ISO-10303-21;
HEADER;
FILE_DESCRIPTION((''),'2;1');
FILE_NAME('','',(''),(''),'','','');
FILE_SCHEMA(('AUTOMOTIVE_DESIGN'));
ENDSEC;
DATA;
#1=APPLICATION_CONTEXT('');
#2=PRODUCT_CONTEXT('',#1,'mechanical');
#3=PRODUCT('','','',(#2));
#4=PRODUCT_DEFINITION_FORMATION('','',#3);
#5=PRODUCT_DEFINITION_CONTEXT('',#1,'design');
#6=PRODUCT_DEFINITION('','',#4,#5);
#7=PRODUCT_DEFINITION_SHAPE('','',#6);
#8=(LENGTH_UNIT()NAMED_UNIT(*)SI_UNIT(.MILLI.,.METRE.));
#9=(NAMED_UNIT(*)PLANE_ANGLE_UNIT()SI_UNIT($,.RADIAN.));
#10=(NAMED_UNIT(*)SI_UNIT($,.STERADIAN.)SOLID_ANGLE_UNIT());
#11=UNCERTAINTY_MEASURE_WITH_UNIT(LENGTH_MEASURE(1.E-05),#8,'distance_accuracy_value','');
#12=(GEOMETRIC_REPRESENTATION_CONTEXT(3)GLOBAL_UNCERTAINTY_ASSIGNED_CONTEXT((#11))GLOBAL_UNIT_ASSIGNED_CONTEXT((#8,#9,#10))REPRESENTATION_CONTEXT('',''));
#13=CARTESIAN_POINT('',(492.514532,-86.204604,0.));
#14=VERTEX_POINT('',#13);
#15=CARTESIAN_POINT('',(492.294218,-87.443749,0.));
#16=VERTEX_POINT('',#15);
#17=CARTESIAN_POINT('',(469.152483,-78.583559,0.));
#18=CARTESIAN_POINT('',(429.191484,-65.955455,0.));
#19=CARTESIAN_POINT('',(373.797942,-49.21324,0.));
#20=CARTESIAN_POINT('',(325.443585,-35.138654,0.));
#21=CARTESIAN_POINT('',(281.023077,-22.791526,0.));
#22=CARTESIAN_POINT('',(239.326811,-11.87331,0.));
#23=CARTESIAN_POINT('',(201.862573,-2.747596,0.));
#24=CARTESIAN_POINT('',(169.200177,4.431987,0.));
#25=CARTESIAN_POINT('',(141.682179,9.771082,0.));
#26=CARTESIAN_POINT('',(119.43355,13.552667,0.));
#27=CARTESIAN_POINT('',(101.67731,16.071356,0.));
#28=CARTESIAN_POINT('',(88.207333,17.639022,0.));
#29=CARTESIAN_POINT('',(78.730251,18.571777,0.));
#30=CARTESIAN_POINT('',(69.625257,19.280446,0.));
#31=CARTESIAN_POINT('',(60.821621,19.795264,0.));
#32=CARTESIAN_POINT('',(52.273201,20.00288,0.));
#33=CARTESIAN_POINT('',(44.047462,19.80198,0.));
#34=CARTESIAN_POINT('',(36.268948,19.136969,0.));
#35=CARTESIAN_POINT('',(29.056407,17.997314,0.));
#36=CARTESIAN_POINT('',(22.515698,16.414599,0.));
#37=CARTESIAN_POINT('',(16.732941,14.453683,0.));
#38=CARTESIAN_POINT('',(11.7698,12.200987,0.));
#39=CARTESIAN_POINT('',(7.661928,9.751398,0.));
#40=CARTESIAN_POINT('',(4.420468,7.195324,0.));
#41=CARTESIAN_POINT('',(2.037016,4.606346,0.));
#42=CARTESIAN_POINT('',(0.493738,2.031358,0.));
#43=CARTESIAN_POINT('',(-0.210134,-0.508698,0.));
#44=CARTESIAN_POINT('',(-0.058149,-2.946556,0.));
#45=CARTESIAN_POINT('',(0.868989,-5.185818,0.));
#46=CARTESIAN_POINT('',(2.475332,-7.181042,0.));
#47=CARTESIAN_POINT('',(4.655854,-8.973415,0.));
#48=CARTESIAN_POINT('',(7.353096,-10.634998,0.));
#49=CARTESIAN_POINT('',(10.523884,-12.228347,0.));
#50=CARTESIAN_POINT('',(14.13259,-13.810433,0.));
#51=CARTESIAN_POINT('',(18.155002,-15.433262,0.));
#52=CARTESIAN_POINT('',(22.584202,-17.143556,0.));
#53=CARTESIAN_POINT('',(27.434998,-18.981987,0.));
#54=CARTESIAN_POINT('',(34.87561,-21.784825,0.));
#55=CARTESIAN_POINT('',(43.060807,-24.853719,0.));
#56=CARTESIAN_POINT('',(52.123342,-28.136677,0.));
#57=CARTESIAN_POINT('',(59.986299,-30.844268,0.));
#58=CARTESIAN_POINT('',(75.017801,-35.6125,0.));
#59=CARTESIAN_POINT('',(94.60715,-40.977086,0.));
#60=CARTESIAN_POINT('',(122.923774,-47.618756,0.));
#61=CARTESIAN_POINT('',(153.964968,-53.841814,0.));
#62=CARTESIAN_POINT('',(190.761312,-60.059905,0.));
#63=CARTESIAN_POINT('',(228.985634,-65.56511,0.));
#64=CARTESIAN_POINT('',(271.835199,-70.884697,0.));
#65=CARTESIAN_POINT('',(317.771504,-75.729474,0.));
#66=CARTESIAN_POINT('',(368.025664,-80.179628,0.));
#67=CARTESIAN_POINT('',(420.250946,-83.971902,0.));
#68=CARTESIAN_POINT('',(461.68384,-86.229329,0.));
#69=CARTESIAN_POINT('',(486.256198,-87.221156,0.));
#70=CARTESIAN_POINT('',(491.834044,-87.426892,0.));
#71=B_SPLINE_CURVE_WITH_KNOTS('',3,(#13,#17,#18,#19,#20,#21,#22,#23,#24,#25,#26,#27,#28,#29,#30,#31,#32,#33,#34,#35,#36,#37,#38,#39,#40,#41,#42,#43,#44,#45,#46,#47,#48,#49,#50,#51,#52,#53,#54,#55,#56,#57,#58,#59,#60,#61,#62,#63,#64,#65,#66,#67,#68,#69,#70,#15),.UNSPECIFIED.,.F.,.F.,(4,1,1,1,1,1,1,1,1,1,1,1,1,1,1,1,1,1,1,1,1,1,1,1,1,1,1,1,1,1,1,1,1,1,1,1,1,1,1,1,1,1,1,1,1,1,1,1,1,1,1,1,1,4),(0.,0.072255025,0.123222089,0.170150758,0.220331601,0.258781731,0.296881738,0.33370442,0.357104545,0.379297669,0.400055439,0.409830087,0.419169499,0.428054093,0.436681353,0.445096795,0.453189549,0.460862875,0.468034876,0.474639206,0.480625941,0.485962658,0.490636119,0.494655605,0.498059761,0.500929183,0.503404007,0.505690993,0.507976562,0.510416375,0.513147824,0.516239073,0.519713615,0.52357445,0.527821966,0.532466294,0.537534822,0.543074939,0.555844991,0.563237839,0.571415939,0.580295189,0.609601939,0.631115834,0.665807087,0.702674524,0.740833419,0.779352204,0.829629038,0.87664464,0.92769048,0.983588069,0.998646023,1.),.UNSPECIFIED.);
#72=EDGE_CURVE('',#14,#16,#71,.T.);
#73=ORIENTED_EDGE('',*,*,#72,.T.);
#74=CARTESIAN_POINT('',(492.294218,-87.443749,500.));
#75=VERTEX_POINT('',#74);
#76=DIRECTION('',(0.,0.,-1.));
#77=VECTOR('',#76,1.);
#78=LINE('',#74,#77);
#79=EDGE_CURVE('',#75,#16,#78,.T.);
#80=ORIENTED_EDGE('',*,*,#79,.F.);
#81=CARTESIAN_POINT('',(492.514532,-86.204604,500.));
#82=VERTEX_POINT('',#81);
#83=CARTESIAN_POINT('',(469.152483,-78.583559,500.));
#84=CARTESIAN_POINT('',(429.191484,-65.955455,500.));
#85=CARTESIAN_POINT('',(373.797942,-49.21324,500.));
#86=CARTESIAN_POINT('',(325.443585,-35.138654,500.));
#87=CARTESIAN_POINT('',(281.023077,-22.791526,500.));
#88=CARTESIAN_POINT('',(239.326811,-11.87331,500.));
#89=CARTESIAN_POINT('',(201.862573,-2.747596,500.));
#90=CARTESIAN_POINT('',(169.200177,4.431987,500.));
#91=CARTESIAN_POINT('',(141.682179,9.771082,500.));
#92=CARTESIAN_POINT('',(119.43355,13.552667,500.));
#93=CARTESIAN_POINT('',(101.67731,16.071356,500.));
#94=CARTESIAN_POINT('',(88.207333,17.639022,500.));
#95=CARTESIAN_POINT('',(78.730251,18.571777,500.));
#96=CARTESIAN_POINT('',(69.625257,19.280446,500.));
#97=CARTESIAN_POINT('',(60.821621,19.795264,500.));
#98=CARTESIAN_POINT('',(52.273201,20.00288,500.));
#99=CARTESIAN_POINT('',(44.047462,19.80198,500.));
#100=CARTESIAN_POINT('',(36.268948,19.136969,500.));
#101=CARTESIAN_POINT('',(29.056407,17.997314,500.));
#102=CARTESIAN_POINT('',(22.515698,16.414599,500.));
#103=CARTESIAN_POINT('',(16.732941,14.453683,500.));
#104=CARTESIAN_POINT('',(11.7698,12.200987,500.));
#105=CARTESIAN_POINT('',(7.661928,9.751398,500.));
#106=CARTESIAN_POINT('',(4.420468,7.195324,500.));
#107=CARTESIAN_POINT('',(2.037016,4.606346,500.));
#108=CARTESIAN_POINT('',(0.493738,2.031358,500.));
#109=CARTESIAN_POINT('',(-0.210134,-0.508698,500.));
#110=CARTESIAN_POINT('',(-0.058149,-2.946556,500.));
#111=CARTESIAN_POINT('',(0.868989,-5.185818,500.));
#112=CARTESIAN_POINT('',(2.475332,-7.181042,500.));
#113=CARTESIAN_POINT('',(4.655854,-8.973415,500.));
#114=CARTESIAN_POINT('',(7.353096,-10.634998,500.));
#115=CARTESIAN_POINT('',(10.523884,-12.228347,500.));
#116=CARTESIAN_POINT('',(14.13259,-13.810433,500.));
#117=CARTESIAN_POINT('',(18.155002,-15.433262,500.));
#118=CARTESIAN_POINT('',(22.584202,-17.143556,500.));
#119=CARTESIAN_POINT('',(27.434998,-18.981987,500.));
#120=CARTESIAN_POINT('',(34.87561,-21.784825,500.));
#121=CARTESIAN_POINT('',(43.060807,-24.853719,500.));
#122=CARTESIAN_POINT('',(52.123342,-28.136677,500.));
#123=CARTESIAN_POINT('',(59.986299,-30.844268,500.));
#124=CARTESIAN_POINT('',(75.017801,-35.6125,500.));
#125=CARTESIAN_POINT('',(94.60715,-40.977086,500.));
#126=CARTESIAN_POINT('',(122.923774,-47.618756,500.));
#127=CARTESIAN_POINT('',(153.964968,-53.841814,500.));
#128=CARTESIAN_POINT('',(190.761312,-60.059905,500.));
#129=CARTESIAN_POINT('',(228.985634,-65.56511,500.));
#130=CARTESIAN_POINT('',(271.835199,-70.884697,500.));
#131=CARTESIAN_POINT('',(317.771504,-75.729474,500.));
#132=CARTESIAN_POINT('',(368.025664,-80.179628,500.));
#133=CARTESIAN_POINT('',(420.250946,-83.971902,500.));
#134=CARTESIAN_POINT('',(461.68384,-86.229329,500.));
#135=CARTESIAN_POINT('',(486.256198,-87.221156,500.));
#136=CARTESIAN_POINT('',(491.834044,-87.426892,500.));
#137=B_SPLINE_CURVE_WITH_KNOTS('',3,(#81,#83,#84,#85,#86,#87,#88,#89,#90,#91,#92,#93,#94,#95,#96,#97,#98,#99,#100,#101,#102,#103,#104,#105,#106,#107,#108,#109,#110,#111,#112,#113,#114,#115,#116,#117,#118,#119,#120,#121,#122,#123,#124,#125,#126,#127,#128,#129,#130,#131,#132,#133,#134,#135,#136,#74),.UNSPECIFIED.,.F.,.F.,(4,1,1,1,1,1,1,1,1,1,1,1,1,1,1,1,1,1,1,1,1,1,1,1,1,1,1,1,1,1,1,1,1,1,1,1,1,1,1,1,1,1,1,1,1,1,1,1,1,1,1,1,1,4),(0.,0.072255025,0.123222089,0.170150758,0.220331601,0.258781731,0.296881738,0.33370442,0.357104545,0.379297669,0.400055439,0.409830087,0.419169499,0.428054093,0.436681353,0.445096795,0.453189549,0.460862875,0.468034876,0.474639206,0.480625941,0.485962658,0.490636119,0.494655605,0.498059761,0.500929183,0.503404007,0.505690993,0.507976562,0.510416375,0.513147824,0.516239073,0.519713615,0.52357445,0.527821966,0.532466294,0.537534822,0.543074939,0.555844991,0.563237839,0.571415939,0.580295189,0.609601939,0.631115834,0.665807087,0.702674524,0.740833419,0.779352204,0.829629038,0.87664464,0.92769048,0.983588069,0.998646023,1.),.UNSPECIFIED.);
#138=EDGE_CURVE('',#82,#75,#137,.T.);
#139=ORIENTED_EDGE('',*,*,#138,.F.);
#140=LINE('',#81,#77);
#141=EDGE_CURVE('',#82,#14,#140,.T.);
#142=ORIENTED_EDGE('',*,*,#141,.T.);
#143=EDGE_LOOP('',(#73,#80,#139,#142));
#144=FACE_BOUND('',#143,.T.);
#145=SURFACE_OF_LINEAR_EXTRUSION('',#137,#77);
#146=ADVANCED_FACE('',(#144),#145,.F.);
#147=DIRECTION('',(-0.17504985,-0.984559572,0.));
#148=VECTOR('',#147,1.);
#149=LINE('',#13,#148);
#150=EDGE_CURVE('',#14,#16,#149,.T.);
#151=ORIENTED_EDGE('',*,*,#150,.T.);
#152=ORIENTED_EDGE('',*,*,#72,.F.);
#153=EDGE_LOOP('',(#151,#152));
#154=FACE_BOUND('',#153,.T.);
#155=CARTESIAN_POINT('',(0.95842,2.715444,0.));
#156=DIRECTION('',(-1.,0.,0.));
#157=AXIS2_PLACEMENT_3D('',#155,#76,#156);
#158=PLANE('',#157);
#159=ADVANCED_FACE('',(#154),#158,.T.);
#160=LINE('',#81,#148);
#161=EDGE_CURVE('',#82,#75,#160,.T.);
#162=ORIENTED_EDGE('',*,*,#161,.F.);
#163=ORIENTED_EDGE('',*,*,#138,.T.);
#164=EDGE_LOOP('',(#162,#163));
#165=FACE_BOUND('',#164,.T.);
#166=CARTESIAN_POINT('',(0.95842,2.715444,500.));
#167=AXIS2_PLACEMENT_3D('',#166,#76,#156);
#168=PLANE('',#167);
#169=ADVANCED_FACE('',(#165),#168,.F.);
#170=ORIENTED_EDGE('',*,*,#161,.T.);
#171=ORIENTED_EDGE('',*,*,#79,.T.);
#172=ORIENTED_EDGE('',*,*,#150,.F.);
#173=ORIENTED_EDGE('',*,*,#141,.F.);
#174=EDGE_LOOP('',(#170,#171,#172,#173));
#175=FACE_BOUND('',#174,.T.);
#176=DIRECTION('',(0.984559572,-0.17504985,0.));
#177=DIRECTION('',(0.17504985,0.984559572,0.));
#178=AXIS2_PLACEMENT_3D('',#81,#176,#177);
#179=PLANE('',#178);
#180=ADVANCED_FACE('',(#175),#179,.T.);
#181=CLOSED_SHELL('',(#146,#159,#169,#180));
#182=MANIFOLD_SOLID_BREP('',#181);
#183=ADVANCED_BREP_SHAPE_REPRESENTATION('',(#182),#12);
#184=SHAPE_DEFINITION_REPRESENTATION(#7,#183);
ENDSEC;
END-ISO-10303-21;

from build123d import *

# Parameters (mm, degrees)
DODANIE_WYCI_GNI_CIE1_DEPTH = 500


with BuildPart() as part:
    # Szkic1 → Dodanie-wyciągnięcie1 (new body)
    with BuildSketch(Plane.XY):
        with BuildLine():
            Line((492.514532323, -86.204604305), (492.294218438, -87.443749292))
            add(Edge.make_bspline(
                [(492.514532323, -86.204604305), (469.152483024, -78.583559389), (429.191484222, -65.955455251), (373.797941733, -49.213240078), (325.443584595, -35.138653635), (281.023077325, -22.791525732), (239.326810577, -11.873309739), (201.862573325, -2.74759553), (169.200176625, 4.43198713), (141.682179262, 9.771081889), (119.433550099, 13.55266704), (101.67731023, 16.071355866), (88.207332583, 17.639022387), (78.730250949, 18.57177721), (69.625256549, 19.280445731), (60.821621177, 19.795263903), (52.273200813, 20.002879597), (44.047461568, 19.801980118), (36.268948428, 19.136969261), (29.056406515, 17.997313874), (22.515698028, 16.414598562), (16.732940773, 14.453682717), (11.769799675, 12.200987485), (7.661928414, 9.7513984), (4.420468462, 7.195324449), (2.037015901, 4.606346205), (0.493738145, 2.031358482), (-0.210133755, -0.508697618), (-0.058149366, -2.946555825), (0.868989261, -5.185817941), (2.475331688, -7.181041906), (4.655854189, -8.973414863), (7.353096196, -10.634998092), (10.523884067, -12.228346842), (14.132589876, -13.810433146), (18.155001803, -15.433262226), (22.584201679, -17.143556135), (27.434997574, -18.98198675), (34.875610137, -21.7848252), (43.060806905, -24.853718515), (52.123341765, -28.136676915), (59.986299109, -30.844268252), (75.017801124, -35.612499898), (94.607150078, -40.977085849), (122.923774169, -47.618756118), (153.964968391, -53.841813539), (190.761311957, -60.059905003), (228.985634296, -65.565110319), (271.835199276, -70.884697303), (317.771503669, -75.729474382), (368.025663904, -80.179627678), (420.250946058, -83.971902478), (461.683839573, -86.229328513), (486.25619753, -87.22115636), (491.834044294, -87.426892383), (492.294218438, -87.443749292)],
                knots=[0, 0, 0, 0, 0.072255025, 0.123222089, 0.170150758, 0.220331601, 0.258781731, 0.296881738, 0.33370442, 0.357104545, 0.379297669, 0.400055439, 0.409830087, 0.419169499, 0.428054093, 0.436681353, 0.445096795, 0.453189549, 0.460862875, 0.468034876, 0.474639206, 0.480625941, 0.485962658, 0.490636119, 0.494655605, 0.498059761, 0.500929183, 0.503404007, 0.505690993, 0.507976562, 0.510416375, 0.513147824, 0.516239073, 0.519713615, 0.52357445, 0.527821966, 0.532466294, 0.537534822, 0.543074939, 0.555844991, 0.563237839, 0.571415939, 0.580295189, 0.609601939, 0.631115834, 0.665807087, 0.702674524, 0.740833419, 0.779352204, 0.829629038, 0.87664464, 0.92769048, 0.983588069, 0.998646023, 1, 1, 1, 1], degree=3))
        make_face()
    extrude(amount=DODANIE_WYCI_GNI_CIE1_DEPTH)


solid = part.part
